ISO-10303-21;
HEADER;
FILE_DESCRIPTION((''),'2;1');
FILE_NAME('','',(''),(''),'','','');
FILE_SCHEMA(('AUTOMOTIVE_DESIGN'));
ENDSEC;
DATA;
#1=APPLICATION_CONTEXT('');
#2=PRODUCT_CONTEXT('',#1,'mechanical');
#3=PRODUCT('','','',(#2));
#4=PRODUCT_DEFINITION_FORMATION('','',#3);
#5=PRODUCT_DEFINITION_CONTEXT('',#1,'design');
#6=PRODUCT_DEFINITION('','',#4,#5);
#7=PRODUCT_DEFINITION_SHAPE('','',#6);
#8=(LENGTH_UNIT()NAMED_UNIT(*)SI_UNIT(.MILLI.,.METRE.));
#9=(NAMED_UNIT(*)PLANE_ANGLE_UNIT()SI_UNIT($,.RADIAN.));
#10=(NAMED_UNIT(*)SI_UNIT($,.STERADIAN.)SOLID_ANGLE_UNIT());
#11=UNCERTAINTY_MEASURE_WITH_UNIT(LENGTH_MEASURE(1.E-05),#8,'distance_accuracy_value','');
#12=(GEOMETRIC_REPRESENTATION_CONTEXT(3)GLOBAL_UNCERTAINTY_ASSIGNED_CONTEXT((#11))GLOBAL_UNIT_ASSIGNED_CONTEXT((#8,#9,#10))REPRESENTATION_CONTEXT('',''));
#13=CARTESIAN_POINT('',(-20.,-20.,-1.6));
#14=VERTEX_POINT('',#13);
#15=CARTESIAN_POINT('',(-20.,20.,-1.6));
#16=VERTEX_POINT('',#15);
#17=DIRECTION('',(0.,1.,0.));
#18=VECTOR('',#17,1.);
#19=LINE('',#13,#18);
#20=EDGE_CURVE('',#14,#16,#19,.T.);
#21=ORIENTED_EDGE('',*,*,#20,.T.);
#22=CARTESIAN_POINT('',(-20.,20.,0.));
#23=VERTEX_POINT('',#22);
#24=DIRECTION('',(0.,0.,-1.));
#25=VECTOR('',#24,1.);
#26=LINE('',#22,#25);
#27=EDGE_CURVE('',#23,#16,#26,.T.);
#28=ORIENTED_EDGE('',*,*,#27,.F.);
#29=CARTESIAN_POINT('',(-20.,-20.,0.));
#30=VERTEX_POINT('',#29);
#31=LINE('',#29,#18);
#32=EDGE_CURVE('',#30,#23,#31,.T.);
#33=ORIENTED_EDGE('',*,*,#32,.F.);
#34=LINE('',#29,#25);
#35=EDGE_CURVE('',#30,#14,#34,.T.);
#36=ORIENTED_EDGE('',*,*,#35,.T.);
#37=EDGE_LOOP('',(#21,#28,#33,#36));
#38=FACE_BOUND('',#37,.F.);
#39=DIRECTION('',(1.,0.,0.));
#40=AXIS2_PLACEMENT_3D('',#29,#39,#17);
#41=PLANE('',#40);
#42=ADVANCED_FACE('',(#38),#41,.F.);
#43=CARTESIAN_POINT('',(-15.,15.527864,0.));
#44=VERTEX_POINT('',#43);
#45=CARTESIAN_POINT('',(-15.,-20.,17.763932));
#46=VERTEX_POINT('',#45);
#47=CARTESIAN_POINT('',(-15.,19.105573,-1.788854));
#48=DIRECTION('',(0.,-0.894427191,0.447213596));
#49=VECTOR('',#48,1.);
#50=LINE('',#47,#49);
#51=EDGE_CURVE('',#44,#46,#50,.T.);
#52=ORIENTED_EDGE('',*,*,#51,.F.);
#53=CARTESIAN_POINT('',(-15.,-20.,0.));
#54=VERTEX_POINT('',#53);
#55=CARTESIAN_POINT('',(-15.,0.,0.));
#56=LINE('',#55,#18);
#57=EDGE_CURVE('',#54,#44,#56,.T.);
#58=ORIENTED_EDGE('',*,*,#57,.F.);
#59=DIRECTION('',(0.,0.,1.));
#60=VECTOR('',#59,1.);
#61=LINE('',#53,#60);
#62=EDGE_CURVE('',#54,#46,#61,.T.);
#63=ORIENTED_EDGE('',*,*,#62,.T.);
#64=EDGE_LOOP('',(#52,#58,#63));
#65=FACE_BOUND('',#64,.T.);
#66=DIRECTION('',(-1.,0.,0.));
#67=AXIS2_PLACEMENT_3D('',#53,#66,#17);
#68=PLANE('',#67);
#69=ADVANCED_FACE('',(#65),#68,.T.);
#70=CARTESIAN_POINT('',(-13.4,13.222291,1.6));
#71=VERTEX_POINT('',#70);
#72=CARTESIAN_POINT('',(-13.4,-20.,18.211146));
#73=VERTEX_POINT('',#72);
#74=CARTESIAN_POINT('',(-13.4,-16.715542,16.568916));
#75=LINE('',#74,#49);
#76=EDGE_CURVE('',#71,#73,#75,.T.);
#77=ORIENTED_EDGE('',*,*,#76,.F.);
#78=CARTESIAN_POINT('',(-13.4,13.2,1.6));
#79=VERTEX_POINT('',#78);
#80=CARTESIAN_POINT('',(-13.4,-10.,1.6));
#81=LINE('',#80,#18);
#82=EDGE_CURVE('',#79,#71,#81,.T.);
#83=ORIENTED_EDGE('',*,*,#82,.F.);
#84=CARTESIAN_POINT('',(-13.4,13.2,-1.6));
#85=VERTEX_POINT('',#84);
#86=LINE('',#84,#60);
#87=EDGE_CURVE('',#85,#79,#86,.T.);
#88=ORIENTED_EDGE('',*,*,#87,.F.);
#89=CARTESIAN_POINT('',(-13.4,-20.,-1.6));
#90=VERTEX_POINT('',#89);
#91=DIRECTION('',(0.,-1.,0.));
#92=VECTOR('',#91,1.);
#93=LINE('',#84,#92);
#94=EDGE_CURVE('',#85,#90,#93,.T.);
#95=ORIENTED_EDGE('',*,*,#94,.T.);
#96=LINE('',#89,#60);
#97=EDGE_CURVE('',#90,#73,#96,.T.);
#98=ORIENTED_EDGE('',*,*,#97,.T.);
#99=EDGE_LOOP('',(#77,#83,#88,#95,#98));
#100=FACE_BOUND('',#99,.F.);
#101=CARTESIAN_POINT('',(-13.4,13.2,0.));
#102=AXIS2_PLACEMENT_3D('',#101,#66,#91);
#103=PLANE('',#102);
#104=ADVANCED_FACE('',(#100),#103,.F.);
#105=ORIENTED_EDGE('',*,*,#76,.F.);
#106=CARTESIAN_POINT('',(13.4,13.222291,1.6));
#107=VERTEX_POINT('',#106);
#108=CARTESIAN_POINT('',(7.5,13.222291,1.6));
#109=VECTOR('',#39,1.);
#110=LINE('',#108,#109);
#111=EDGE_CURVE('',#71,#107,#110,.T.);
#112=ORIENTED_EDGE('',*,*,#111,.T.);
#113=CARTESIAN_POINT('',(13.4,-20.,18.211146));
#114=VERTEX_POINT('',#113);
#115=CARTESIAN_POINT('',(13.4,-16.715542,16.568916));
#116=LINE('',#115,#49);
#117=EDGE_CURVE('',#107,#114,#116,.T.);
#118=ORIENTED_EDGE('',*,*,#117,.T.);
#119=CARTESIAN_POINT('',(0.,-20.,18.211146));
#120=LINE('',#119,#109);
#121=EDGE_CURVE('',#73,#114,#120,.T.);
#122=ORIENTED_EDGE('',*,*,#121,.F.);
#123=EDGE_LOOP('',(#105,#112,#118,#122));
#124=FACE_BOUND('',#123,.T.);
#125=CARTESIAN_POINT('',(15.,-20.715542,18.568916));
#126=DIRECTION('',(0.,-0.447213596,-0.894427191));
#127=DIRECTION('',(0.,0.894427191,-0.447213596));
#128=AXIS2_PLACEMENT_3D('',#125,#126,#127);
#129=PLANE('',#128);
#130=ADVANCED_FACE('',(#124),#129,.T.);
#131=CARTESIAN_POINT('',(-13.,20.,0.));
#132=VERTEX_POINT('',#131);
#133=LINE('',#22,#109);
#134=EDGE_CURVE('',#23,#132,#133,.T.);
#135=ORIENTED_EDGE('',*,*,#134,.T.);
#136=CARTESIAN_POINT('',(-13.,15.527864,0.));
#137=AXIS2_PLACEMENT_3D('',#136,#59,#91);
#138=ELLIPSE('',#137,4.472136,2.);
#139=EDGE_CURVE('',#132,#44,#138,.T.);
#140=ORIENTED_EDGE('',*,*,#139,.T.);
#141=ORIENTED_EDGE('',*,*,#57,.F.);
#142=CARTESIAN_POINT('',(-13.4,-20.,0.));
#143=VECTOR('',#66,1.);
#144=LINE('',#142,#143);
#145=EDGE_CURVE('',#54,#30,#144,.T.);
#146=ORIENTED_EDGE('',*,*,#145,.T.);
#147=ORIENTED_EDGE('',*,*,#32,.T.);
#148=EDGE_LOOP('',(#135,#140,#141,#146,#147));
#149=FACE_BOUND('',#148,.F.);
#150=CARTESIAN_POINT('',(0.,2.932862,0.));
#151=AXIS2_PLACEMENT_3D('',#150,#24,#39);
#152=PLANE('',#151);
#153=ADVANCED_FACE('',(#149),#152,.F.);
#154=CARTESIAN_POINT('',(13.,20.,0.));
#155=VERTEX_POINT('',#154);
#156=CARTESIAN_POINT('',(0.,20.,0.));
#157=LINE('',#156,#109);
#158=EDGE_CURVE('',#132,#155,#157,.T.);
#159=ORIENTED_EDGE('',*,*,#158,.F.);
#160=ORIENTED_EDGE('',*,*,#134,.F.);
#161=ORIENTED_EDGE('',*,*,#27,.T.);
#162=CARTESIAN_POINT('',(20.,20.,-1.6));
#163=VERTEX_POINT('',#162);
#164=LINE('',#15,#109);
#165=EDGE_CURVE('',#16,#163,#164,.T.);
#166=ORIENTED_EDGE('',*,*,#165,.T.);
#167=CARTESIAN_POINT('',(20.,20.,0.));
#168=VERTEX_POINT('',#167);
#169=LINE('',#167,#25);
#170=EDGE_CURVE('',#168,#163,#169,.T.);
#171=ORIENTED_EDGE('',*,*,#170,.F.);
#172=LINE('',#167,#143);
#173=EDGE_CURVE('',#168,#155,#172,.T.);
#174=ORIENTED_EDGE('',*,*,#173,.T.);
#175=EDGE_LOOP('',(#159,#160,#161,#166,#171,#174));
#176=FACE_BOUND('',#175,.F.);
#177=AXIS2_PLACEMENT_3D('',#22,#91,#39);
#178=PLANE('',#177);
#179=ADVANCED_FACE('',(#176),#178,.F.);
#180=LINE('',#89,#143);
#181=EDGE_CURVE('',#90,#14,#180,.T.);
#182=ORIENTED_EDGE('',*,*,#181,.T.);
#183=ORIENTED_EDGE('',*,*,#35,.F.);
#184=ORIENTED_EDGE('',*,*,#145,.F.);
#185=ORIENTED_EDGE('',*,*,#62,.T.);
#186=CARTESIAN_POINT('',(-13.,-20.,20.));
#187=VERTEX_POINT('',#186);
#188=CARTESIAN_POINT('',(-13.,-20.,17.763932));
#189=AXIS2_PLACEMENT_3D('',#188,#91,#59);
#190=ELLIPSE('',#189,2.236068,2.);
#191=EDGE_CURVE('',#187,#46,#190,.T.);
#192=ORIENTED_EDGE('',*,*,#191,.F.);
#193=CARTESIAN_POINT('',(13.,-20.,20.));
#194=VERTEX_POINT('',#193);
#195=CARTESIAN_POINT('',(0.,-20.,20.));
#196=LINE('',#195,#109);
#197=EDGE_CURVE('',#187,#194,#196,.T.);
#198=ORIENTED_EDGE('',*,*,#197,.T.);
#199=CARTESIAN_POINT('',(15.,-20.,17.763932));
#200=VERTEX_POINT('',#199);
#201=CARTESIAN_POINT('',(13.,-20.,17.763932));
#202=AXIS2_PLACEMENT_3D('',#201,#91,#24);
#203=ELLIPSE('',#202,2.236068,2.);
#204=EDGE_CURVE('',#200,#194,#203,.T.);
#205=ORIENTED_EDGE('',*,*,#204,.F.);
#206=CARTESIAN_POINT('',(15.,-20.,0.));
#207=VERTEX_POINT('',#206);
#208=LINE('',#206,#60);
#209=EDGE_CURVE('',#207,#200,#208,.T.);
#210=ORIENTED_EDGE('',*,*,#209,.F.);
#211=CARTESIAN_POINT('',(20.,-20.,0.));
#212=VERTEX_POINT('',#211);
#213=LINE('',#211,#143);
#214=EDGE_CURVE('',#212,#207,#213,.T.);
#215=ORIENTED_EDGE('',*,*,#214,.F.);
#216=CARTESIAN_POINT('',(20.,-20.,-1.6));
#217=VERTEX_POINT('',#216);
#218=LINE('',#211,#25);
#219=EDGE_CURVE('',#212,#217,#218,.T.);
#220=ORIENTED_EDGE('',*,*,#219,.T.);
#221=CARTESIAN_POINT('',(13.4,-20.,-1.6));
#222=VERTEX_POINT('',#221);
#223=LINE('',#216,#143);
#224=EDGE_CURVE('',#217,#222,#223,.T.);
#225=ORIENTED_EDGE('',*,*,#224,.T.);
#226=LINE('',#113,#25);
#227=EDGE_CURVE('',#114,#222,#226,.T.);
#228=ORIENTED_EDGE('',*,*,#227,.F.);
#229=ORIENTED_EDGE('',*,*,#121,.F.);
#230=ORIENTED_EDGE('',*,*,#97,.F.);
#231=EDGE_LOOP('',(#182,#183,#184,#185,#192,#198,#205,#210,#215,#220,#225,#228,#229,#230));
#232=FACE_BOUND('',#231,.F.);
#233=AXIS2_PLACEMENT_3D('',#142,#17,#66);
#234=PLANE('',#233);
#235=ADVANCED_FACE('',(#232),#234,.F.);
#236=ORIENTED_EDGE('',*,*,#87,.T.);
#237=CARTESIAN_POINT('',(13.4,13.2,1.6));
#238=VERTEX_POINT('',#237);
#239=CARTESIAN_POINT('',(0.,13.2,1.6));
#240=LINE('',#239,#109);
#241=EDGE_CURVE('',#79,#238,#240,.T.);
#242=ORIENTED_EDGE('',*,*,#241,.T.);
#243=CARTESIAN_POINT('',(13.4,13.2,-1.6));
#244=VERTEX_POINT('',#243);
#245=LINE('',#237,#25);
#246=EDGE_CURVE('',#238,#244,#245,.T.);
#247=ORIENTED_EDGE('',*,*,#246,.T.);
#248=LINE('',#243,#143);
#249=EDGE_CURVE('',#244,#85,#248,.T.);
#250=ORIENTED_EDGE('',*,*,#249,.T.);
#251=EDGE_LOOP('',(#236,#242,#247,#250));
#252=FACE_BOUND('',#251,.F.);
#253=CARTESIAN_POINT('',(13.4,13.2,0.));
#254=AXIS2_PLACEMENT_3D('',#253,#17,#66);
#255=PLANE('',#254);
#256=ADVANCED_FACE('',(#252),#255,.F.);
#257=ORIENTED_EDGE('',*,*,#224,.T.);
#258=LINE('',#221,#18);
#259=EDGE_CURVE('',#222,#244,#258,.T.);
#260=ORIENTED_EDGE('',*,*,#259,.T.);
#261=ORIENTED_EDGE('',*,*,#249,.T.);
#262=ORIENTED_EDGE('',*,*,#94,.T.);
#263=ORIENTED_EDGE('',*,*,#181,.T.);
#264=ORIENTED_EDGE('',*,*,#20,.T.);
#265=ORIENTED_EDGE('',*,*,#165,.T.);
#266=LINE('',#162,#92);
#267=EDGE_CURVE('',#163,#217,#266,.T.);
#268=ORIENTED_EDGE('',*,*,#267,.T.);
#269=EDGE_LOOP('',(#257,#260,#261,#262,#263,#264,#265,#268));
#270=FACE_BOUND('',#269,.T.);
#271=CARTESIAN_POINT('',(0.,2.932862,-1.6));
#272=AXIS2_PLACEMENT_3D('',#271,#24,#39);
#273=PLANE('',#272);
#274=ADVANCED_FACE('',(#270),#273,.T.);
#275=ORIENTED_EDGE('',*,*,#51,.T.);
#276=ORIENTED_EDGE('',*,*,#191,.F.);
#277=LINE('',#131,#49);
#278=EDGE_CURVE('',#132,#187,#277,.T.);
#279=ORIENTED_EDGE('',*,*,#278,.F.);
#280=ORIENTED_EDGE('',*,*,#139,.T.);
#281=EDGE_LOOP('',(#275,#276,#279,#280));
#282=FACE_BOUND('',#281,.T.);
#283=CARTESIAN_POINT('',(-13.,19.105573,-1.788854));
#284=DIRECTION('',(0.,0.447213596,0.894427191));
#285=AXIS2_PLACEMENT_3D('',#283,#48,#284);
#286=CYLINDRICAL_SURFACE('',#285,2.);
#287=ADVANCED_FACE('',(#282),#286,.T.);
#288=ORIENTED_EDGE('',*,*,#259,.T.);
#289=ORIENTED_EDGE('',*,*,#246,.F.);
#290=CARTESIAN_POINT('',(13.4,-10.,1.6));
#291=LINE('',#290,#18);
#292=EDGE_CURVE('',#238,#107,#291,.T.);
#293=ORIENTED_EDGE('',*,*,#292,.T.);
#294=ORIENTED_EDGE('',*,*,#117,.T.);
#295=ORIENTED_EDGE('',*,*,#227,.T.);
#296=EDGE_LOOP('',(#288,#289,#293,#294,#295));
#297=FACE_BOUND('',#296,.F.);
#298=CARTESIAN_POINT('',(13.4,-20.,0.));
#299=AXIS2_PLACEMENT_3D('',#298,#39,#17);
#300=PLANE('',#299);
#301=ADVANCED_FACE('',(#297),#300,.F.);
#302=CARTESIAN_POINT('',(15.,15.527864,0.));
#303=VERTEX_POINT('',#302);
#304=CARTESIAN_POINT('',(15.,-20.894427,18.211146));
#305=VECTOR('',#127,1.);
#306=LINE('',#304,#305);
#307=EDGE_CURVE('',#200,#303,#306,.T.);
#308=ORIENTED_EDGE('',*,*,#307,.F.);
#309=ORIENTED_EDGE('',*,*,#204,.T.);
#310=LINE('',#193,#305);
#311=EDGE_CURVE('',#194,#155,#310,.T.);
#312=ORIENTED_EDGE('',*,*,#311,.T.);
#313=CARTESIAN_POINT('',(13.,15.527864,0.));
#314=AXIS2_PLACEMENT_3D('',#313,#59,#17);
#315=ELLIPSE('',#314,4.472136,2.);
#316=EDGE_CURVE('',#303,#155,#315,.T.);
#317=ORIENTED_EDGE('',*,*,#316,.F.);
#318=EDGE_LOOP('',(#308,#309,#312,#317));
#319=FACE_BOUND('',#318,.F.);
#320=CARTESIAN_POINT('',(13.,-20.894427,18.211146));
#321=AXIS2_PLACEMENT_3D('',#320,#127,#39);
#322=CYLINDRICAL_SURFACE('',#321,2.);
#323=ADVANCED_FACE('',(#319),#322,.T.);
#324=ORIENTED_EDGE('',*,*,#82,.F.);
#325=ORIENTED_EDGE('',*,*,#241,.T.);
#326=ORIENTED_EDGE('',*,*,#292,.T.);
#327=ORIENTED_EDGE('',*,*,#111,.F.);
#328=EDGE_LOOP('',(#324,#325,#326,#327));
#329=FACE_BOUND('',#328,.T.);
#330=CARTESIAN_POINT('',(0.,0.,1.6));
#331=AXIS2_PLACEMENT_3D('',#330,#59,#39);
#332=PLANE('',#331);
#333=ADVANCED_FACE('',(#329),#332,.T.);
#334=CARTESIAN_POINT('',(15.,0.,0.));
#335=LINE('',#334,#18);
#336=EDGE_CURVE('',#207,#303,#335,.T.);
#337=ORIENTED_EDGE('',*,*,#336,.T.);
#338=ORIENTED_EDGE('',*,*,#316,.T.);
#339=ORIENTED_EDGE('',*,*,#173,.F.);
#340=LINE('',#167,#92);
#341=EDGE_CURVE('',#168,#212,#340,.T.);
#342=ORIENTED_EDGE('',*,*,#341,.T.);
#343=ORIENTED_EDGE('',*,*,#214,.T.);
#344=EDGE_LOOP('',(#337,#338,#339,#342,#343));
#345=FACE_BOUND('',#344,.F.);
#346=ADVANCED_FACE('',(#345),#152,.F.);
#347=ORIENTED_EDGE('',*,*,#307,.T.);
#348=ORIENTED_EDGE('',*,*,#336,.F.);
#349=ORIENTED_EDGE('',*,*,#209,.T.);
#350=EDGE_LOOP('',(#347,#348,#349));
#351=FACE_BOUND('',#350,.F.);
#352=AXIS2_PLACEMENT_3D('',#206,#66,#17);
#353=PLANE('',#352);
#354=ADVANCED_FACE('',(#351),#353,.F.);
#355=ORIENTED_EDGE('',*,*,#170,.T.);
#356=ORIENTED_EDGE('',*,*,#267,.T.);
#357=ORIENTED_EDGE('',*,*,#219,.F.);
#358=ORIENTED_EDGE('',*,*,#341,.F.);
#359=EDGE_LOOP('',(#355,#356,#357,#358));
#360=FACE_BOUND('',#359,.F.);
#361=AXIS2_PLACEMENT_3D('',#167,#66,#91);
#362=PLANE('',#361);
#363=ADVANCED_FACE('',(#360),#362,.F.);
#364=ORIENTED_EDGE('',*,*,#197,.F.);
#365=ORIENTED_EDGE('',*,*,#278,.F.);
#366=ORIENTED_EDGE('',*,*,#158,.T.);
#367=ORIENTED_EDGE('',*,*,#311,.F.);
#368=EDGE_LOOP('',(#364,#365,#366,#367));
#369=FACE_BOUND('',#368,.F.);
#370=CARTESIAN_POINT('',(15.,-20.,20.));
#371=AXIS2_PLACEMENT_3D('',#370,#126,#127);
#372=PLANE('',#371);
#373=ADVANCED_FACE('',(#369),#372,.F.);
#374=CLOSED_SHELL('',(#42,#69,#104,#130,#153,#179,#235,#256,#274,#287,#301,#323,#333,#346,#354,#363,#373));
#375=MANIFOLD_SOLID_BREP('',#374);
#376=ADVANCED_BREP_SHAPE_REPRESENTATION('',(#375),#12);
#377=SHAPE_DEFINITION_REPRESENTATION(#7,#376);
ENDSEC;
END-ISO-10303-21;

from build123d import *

# Parameters (mm, degrees)
F0_W     = 30
F0_H     = 40
F1_DEPTH = 20
F3_DEPTH = 30.001
F4_T     = -1.6
F5_W     = 26.8
F5_H     = 33.2
F6_DEPTH = 1.6
F8_DEPTH = 1.6
F9_R     = 2


with BuildPart() as f1:
    # F0 (on Top) → F1 (new body)
    with BuildSketch(Plane.XY):
        Rectangle(F0_W, F0_H)
    extrude(amount=F1_DEPTH)

    # F2 (on face) → F3 (cut, through all)
    with BuildSketch(Plane.YZ.offset(15)):
        Polygon((20, 20), (-20, 20), (20, 0), align=None)
    extrude(amount=-F3_DEPTH, mode=Mode.SUBTRACT)

    # F4
    f4_openings = [f1.faces().sort_by_distance(p)[0] for p in [
        (0, -20, 10),
    ]]
    offset(amount=F4_T, openings=f4_openings)

    # F5 (on face) → F6 (cut)
    with BuildSketch(Plane(origin=(0, 0, 0), x_dir=(1, 0, 0), z_dir=(0, 0, -1))):
        with Locations((0, 3.4)):
            Rectangle(F5_W, F5_H)
    extrude(amount=-F6_DEPTH, mode=Mode.SUBTRACT)

    # F7 (on face) → F8 (join)
    with BuildSketch(Plane(origin=(0, 0, 0), x_dir=(1, 0, 0), z_dir=(0, 0, -1))):
        Polygon((-20, 20), (-20, -20), (20, -20), (20, 20), (13.4, 20), (13.4, -13.2), (-13.4, -13.2), (-13.4, 20), align=None)
    extrude(amount=F8_DEPTH)

    # F9
    f9_edges = [f1.edges().sort_by_distance(p)[0] for p in [
        (-15, 0, 10),
        (15, 0, 10),
    ]]
    fillet(f9_edges, radius=F9_R)


solid = f1.part
